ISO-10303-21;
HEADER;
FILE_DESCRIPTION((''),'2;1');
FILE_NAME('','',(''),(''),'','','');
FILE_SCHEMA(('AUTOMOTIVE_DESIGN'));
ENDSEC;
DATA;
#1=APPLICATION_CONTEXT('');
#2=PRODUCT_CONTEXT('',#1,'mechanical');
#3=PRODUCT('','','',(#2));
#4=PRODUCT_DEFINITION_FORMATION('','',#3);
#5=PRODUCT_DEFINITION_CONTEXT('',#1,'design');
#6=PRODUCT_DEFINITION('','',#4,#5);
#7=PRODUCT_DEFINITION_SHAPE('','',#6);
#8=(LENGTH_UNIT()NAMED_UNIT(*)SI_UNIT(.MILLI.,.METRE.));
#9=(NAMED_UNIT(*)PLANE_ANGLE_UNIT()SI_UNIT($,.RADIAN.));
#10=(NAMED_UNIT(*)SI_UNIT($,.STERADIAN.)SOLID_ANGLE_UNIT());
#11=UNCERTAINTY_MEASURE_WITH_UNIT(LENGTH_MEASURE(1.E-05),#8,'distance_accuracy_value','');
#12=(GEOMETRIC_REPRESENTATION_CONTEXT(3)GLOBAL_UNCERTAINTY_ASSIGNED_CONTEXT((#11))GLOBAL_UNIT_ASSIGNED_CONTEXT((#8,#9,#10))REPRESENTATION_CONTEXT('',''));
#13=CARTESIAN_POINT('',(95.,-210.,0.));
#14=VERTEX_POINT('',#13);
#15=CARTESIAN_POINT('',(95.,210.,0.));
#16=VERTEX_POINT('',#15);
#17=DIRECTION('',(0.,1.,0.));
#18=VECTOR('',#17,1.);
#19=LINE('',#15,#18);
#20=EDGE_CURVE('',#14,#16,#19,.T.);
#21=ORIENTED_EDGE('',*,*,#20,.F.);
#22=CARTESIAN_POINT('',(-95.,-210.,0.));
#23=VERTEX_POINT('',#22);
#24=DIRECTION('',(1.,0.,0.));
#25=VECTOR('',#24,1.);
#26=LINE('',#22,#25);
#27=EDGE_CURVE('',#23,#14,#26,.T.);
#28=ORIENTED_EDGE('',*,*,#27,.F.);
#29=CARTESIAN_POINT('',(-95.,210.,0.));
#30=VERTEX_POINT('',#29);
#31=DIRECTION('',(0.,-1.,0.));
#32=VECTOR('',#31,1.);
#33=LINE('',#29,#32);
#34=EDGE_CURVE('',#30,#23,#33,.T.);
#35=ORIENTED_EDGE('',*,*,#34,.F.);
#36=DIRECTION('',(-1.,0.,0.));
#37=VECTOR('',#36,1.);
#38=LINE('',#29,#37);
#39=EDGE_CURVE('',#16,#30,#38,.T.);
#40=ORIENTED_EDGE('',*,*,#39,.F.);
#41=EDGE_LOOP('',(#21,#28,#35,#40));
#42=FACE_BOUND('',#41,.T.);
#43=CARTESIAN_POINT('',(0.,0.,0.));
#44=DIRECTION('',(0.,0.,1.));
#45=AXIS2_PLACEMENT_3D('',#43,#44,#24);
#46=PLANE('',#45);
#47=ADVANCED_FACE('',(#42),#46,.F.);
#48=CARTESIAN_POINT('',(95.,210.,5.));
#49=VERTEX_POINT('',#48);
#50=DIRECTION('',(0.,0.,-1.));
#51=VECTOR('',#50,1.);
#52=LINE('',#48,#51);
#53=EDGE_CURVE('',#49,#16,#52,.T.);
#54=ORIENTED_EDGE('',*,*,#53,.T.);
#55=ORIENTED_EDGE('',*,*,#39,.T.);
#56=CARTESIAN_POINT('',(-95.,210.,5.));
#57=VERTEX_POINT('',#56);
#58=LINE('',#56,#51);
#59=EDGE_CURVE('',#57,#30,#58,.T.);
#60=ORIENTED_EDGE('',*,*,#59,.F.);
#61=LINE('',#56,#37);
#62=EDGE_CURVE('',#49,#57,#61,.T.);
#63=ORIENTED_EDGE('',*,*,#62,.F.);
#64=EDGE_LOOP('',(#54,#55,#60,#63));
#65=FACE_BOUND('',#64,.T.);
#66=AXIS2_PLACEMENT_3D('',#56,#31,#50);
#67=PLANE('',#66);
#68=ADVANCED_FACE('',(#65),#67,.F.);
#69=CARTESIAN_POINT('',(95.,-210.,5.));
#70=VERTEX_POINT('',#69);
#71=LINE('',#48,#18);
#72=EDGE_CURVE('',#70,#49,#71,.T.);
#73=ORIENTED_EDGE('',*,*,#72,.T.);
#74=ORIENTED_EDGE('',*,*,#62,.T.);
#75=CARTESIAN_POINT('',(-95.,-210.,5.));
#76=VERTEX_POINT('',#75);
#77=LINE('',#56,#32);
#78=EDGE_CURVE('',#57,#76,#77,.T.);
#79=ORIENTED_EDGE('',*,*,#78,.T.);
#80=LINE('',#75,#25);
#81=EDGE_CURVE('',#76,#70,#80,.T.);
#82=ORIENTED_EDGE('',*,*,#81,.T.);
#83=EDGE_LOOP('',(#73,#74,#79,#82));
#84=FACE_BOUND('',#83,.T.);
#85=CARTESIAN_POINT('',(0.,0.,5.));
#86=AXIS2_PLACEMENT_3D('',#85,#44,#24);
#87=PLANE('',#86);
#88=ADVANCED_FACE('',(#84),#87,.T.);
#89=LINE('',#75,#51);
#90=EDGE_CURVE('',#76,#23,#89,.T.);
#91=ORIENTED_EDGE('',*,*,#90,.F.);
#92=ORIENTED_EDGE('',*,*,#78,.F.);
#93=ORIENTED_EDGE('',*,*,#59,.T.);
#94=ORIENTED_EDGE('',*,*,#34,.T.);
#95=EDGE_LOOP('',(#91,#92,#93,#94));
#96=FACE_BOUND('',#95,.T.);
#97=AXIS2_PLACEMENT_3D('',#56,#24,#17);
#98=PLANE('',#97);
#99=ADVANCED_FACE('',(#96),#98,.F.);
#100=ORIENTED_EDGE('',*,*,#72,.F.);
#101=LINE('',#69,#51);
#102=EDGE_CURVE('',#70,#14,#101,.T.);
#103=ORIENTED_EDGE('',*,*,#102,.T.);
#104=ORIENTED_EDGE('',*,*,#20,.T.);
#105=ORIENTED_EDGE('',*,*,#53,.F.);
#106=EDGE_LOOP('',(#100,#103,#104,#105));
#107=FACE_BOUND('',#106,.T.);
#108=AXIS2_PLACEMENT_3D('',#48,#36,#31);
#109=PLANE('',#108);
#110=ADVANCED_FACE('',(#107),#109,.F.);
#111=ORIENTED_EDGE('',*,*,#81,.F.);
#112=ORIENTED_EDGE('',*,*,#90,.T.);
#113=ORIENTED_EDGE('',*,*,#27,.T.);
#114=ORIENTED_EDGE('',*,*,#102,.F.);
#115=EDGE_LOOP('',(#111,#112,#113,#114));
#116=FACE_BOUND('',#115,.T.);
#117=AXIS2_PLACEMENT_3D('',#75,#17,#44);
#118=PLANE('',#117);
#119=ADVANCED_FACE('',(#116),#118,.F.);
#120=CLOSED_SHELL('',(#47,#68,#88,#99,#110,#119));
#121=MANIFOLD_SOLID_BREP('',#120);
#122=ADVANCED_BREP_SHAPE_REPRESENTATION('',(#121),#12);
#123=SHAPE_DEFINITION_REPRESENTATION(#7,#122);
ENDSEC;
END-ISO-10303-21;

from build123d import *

# Parameters (mm, degrees)
ESQUISSE1_W        = 190
ESQUISSE1_H        = 420
BOSS_EXTRU_1_DEPTH = 5


with BuildPart() as part:
    # Esquisse1 → Boss.-Extru.1 (new body)
    with BuildSketch(Plane.XY):
        Rectangle(ESQUISSE1_W, ESQUISSE1_H)
    extrude(amount=BOSS_EXTRU_1_DEPTH)


solid = part.part
